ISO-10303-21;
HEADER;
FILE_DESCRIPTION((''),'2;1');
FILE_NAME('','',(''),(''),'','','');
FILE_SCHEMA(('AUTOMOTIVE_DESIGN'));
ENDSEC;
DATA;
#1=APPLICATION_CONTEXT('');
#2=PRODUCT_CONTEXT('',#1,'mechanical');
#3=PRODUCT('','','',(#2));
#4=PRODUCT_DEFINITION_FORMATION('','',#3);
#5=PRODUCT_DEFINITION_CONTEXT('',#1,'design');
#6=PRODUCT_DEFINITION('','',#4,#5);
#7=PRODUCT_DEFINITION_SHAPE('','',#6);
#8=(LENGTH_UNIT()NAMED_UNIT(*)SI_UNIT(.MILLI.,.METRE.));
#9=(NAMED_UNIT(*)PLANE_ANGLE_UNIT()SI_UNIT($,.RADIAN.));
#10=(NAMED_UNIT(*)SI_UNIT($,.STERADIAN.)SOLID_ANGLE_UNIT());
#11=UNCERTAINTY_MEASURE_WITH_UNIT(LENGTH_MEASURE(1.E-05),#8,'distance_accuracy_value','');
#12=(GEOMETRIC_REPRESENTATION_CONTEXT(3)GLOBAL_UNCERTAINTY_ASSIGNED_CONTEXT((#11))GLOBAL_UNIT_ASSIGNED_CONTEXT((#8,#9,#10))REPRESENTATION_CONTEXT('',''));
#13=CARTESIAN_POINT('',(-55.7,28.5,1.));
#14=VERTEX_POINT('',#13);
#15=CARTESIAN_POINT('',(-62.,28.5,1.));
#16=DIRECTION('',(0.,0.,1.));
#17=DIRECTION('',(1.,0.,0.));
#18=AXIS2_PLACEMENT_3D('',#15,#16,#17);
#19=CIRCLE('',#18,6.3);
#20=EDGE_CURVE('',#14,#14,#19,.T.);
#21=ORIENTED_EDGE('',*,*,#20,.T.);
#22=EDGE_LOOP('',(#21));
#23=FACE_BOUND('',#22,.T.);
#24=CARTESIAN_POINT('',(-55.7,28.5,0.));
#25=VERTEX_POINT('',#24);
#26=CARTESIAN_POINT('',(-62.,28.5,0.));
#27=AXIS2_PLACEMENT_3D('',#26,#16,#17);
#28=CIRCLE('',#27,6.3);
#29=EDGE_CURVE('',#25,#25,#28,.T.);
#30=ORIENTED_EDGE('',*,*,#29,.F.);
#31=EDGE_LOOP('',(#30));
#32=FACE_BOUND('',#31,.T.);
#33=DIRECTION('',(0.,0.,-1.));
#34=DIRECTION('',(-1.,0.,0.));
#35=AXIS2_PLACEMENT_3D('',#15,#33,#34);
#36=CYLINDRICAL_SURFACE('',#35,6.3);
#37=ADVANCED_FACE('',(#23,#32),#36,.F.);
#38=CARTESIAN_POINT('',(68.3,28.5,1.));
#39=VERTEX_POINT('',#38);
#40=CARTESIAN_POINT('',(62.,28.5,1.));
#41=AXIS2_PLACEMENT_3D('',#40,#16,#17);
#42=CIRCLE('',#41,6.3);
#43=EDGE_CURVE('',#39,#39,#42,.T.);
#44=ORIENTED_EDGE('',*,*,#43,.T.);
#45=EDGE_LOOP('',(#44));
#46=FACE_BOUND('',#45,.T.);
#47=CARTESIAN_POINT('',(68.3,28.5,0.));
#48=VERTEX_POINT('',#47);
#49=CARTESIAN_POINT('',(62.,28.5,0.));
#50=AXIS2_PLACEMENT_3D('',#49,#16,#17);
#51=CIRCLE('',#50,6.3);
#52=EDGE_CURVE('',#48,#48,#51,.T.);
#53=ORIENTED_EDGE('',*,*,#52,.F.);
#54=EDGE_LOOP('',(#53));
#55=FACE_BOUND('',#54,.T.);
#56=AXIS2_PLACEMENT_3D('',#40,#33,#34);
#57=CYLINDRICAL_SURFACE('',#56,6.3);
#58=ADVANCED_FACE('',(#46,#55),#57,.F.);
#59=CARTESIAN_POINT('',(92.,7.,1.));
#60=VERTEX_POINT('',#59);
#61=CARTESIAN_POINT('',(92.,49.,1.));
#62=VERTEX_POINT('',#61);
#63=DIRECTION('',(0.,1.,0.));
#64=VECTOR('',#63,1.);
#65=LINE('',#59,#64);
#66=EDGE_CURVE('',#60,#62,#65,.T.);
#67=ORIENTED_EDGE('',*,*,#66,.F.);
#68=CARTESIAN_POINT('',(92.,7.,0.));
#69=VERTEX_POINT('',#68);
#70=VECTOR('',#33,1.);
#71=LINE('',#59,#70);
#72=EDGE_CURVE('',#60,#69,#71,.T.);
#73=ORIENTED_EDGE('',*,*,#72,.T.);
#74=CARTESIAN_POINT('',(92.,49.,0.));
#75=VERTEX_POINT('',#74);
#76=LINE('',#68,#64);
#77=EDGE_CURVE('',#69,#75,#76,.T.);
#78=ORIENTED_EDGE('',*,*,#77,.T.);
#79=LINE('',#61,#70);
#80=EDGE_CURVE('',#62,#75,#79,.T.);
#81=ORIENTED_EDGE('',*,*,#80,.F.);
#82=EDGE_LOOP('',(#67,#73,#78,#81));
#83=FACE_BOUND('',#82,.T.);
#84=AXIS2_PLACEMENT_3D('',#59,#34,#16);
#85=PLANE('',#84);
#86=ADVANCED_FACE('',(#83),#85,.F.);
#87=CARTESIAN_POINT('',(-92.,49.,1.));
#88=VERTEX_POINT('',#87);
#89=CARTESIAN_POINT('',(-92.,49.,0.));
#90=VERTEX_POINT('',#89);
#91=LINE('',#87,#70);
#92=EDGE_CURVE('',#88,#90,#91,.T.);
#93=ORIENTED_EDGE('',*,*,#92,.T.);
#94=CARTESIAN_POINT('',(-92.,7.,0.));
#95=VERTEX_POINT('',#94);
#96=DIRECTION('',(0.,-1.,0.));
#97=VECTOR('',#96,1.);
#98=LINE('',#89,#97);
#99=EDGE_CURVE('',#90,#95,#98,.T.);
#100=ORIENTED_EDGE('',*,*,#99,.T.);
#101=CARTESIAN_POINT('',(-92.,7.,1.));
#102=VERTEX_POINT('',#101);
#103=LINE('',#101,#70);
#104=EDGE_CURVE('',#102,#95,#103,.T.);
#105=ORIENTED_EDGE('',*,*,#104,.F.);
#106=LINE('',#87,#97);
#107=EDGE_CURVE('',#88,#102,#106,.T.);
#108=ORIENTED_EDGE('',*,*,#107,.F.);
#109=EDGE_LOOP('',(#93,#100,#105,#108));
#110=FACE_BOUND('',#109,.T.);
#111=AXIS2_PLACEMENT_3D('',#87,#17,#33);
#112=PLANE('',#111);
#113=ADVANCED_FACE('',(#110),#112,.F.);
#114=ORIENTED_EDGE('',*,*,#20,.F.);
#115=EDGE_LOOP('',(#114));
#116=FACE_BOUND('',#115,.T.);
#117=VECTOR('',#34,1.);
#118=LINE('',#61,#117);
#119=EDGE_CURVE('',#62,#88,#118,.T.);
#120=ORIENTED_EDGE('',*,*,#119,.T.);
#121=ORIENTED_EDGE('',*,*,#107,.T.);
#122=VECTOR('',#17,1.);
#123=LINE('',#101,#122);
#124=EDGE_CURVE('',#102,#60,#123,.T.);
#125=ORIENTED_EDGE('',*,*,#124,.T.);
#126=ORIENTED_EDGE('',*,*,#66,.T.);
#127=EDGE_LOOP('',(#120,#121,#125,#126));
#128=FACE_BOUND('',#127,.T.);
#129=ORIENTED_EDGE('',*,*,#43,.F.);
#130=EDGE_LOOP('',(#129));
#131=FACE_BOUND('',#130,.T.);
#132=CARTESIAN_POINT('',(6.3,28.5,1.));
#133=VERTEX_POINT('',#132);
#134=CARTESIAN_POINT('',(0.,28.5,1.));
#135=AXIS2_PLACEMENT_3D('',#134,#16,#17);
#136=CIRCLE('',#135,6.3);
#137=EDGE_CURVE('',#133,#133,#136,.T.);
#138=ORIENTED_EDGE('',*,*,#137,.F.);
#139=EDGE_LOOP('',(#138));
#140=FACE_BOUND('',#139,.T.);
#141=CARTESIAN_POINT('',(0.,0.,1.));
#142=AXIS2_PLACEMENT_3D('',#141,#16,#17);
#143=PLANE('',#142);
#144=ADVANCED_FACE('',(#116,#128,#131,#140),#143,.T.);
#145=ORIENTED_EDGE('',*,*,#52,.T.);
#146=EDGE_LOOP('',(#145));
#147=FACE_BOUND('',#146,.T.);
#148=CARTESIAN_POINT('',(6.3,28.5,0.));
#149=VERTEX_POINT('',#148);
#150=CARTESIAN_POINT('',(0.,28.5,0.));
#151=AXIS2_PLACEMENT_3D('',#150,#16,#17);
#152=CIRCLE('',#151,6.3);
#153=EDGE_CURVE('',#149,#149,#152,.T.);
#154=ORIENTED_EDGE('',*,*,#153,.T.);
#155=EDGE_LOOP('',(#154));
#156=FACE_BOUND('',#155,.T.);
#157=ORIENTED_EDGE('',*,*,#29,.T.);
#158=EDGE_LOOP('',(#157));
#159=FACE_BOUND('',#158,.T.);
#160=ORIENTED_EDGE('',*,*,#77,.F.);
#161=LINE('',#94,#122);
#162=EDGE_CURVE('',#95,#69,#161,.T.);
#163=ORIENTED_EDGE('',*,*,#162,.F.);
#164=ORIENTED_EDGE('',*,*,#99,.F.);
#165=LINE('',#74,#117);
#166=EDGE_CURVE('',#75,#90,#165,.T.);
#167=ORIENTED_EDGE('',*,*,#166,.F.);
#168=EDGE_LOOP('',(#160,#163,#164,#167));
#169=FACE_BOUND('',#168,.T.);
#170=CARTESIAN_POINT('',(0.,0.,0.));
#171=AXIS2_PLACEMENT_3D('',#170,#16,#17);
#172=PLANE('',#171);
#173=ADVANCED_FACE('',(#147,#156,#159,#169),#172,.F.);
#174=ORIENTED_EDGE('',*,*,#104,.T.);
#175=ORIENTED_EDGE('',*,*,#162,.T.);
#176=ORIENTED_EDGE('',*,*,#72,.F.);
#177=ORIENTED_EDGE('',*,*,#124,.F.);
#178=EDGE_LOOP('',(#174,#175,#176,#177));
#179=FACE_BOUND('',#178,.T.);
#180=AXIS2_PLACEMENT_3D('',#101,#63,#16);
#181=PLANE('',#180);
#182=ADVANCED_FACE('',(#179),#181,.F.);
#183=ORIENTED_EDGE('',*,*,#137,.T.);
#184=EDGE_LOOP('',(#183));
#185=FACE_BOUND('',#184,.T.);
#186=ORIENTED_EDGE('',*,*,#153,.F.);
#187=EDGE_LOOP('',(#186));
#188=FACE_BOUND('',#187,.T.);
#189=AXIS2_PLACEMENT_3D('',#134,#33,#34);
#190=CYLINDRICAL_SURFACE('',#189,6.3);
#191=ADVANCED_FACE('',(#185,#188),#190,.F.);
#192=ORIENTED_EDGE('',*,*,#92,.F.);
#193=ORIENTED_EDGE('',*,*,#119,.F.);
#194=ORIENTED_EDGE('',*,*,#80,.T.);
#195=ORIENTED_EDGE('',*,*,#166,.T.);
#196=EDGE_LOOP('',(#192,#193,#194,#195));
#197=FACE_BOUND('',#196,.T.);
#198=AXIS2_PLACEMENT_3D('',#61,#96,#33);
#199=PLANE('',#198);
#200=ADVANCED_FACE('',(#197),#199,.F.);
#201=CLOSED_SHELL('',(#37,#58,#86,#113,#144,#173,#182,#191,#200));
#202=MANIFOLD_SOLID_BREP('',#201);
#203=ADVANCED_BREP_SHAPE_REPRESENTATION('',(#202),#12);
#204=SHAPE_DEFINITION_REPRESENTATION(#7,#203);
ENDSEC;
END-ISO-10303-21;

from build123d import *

# Parameters (mm, degrees)
THREE_12_6_MM_LOCATING_BORES_PROFILE_W = 184
THREE_12_6_MM_LOCATING_BORES_PROFILE_H = 42
THREE_12_6_MM_LOCATING_BORES_PROFILE_R = 6.3
THREE_12_6_MM_LOCATING_BORES_DEPTH     = 1


with BuildPart() as part:
    # Three 12.6 mm locating bores profile → Three 12.6 mm locating bores (new body)
    with BuildSketch(Plane.XY):
        with Locations((0, 28)):
            Rectangle(THREE_12_6_MM_LOCATING_BORES_PROFILE_W, THREE_12_6_MM_LOCATING_BORES_PROFILE_H)
        with Locations((-62, 28.5)):
            Circle(THREE_12_6_MM_LOCATING_BORES_PROFILE_R, mode=Mode.SUBTRACT)
        with Locations((0, 28.5)):
            Circle(THREE_12_6_MM_LOCATING_BORES_PROFILE_R, mode=Mode.SUBTRACT)
        with Locations((62, 28.5)):
            Circle(THREE_12_6_MM_LOCATING_BORES_PROFILE_R, mode=Mode.SUBTRACT)
    extrude(amount=THREE_12_6_MM_LOCATING_BORES_DEPTH)


solid = part.part
